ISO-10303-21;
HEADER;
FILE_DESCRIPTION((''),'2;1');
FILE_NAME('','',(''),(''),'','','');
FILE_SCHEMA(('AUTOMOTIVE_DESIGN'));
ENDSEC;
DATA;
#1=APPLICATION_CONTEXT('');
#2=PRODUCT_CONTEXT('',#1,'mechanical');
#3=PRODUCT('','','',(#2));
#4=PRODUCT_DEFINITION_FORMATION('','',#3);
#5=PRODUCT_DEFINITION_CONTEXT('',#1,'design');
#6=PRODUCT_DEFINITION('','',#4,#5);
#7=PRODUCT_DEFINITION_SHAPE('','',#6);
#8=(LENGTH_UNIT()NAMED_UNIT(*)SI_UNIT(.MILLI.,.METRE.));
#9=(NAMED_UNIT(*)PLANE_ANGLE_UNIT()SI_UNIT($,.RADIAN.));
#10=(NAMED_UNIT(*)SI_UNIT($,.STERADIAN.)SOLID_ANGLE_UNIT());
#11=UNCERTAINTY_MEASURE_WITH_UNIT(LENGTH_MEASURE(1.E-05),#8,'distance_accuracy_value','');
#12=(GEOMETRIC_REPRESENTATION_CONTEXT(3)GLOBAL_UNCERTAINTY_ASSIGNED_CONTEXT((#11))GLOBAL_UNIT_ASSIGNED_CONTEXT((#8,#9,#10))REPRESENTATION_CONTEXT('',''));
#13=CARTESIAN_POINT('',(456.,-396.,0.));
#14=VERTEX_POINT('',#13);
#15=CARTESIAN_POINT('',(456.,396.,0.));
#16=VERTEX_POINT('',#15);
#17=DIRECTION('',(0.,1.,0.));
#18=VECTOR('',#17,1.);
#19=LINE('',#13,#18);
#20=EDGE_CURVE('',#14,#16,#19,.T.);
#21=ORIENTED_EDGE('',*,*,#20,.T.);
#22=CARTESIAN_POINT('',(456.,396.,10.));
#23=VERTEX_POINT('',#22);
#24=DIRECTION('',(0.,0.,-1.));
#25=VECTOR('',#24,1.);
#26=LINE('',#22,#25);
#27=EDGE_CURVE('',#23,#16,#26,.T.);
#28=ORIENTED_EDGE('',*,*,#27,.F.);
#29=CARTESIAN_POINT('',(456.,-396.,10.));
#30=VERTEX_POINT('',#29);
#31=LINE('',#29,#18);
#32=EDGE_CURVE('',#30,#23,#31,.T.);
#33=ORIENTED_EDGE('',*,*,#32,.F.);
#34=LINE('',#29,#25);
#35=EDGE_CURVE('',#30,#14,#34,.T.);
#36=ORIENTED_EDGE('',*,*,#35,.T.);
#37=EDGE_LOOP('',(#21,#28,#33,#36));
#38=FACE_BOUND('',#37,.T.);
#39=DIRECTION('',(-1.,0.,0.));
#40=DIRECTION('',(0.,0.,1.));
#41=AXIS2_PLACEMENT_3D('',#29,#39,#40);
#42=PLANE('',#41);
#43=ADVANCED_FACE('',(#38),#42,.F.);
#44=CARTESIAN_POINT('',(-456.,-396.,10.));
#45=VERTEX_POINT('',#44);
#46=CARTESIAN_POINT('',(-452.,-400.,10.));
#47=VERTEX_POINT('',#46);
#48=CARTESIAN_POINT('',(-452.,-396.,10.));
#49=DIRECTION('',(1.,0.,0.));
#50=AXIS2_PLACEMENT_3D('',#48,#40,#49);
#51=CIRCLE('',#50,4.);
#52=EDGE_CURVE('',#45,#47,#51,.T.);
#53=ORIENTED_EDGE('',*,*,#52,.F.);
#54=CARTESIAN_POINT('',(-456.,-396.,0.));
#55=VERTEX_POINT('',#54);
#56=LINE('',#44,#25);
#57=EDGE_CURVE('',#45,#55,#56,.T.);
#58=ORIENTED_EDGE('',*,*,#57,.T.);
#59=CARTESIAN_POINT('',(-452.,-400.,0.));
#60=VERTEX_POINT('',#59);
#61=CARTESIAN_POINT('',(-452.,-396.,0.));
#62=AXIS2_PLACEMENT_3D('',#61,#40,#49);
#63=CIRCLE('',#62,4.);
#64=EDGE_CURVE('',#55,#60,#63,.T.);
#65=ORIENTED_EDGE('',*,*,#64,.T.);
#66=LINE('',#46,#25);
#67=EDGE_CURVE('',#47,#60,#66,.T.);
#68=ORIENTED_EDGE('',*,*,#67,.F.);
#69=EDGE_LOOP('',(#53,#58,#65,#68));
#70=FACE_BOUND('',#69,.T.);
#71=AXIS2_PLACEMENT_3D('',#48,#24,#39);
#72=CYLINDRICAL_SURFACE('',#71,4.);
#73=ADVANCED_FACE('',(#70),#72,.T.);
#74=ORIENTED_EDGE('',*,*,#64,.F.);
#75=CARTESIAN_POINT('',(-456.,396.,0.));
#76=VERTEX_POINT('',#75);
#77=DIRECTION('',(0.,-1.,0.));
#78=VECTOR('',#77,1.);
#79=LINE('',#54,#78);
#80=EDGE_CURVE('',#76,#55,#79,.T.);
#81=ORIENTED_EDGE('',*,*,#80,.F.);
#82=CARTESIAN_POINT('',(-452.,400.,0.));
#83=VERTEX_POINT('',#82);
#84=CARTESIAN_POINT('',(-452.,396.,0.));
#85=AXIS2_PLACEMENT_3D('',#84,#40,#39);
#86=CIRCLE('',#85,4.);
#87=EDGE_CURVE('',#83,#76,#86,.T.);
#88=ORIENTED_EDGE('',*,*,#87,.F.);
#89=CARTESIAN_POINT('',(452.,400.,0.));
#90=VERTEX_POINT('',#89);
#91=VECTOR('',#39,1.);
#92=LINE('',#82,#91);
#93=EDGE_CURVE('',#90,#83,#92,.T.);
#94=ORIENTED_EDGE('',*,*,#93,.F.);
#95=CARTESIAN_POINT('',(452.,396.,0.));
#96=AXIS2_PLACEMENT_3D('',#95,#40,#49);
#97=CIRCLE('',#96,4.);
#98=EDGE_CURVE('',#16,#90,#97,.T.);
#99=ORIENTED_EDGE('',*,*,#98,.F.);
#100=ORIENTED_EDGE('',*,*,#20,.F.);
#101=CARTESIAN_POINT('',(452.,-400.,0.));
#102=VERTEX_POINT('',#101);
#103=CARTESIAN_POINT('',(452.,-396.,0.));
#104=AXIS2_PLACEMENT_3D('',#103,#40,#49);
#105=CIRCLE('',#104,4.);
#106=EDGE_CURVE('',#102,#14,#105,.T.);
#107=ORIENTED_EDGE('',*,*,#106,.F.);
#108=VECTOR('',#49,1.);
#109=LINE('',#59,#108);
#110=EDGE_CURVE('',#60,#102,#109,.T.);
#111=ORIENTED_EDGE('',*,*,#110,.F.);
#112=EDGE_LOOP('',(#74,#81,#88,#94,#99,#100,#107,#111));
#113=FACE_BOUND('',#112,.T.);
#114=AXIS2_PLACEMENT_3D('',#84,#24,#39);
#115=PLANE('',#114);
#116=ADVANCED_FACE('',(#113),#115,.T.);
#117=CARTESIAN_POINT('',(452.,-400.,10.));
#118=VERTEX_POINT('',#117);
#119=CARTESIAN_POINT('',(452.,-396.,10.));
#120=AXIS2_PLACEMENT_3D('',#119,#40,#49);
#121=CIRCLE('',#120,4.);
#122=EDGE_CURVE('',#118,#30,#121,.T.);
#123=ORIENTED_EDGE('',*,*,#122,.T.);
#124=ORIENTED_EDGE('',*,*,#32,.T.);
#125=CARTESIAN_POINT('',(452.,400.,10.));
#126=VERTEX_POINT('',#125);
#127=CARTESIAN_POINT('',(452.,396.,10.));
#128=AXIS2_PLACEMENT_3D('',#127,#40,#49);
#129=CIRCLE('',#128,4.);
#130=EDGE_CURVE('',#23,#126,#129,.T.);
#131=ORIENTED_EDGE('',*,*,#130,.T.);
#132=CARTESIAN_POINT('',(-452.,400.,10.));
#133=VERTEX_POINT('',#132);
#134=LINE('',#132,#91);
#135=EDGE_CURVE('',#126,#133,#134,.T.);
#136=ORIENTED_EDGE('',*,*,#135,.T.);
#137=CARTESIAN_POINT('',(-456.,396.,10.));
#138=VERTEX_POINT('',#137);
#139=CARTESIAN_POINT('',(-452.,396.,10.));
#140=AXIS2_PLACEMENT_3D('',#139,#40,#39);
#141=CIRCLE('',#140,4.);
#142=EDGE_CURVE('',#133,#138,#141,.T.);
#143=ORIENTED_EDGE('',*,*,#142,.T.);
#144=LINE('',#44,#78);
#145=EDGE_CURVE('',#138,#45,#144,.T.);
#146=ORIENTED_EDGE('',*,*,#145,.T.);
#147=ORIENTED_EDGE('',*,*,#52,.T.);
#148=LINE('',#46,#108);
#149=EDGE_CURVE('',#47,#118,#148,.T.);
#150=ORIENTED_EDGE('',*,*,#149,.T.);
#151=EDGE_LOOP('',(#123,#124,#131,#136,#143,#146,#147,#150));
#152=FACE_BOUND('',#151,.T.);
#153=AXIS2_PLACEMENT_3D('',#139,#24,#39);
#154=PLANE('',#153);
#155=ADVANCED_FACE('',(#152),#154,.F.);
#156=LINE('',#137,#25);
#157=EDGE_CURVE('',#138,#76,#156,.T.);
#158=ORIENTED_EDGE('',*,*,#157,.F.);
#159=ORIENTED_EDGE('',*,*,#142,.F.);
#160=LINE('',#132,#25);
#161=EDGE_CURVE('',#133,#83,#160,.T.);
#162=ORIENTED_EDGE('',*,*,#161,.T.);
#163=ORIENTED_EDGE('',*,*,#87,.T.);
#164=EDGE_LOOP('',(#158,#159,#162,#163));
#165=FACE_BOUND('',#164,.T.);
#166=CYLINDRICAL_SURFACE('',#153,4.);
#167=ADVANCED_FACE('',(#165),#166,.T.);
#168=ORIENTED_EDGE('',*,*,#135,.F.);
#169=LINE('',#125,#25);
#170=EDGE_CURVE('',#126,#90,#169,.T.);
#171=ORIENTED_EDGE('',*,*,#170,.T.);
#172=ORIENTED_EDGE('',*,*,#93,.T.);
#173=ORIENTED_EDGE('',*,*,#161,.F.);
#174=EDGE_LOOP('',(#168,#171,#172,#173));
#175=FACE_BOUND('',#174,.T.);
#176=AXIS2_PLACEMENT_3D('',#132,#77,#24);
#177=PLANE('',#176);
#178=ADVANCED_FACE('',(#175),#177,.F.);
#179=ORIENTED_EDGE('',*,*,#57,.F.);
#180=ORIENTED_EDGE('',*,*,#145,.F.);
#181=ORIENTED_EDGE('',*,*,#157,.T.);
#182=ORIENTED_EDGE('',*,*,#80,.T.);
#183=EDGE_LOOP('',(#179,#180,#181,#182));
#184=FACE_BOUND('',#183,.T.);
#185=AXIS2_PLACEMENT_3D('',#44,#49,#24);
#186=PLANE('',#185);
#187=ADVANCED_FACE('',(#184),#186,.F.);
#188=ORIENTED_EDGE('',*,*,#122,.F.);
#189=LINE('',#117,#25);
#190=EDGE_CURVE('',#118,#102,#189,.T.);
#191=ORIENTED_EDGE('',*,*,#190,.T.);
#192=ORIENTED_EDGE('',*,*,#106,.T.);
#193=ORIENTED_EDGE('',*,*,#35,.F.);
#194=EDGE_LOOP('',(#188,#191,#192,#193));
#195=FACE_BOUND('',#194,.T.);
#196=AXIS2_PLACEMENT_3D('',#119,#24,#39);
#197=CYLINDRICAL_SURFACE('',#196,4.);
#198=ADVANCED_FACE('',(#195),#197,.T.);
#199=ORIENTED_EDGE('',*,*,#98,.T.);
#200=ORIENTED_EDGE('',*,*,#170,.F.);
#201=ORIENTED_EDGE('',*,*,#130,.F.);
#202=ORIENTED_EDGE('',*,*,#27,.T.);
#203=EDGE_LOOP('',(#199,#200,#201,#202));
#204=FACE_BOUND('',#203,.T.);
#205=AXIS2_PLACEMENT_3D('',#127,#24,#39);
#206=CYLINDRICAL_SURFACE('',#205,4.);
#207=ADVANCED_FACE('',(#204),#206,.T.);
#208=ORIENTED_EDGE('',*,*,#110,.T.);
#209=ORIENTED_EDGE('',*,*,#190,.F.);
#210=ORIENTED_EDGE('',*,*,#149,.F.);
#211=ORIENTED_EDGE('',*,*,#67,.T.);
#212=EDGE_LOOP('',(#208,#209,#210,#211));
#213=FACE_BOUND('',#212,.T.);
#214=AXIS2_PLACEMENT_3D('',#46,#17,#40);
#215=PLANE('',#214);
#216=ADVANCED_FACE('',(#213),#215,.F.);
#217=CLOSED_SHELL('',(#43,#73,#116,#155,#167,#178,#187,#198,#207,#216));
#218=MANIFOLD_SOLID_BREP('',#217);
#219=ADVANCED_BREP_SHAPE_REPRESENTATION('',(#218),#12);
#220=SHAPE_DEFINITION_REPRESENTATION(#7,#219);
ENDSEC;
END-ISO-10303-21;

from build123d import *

# Parameters (mm, degrees)
BOSS_EXTRU_1_DEPTH = 10


with BuildPart() as part:
    # Esquisse1 → Boss.-Extru.1 (new body)
    with BuildSketch(Plane.XY):
        with BuildLine():
            Line((-452, -400), (452, -400))
            ThreePointArc((452, -400), (454.828427125, -398.828427125), (456, -396))
            Line((456, -396), (456, 396))
            ThreePointArc((456, 396), (454.828427125, 398.828427125), (452, 400))
            Line((452, 400), (-452, 400))
            ThreePointArc((-452, 400), (-454.828427125, 398.828427125), (-456, 396))
            Line((-456, 396), (-456, -396))
            ThreePointArc((-456, -396), (-454.828427125, -398.828427125), (-452, -400))
        make_face()
    extrude(amount=BOSS_EXTRU_1_DEPTH)


solid = part.part
